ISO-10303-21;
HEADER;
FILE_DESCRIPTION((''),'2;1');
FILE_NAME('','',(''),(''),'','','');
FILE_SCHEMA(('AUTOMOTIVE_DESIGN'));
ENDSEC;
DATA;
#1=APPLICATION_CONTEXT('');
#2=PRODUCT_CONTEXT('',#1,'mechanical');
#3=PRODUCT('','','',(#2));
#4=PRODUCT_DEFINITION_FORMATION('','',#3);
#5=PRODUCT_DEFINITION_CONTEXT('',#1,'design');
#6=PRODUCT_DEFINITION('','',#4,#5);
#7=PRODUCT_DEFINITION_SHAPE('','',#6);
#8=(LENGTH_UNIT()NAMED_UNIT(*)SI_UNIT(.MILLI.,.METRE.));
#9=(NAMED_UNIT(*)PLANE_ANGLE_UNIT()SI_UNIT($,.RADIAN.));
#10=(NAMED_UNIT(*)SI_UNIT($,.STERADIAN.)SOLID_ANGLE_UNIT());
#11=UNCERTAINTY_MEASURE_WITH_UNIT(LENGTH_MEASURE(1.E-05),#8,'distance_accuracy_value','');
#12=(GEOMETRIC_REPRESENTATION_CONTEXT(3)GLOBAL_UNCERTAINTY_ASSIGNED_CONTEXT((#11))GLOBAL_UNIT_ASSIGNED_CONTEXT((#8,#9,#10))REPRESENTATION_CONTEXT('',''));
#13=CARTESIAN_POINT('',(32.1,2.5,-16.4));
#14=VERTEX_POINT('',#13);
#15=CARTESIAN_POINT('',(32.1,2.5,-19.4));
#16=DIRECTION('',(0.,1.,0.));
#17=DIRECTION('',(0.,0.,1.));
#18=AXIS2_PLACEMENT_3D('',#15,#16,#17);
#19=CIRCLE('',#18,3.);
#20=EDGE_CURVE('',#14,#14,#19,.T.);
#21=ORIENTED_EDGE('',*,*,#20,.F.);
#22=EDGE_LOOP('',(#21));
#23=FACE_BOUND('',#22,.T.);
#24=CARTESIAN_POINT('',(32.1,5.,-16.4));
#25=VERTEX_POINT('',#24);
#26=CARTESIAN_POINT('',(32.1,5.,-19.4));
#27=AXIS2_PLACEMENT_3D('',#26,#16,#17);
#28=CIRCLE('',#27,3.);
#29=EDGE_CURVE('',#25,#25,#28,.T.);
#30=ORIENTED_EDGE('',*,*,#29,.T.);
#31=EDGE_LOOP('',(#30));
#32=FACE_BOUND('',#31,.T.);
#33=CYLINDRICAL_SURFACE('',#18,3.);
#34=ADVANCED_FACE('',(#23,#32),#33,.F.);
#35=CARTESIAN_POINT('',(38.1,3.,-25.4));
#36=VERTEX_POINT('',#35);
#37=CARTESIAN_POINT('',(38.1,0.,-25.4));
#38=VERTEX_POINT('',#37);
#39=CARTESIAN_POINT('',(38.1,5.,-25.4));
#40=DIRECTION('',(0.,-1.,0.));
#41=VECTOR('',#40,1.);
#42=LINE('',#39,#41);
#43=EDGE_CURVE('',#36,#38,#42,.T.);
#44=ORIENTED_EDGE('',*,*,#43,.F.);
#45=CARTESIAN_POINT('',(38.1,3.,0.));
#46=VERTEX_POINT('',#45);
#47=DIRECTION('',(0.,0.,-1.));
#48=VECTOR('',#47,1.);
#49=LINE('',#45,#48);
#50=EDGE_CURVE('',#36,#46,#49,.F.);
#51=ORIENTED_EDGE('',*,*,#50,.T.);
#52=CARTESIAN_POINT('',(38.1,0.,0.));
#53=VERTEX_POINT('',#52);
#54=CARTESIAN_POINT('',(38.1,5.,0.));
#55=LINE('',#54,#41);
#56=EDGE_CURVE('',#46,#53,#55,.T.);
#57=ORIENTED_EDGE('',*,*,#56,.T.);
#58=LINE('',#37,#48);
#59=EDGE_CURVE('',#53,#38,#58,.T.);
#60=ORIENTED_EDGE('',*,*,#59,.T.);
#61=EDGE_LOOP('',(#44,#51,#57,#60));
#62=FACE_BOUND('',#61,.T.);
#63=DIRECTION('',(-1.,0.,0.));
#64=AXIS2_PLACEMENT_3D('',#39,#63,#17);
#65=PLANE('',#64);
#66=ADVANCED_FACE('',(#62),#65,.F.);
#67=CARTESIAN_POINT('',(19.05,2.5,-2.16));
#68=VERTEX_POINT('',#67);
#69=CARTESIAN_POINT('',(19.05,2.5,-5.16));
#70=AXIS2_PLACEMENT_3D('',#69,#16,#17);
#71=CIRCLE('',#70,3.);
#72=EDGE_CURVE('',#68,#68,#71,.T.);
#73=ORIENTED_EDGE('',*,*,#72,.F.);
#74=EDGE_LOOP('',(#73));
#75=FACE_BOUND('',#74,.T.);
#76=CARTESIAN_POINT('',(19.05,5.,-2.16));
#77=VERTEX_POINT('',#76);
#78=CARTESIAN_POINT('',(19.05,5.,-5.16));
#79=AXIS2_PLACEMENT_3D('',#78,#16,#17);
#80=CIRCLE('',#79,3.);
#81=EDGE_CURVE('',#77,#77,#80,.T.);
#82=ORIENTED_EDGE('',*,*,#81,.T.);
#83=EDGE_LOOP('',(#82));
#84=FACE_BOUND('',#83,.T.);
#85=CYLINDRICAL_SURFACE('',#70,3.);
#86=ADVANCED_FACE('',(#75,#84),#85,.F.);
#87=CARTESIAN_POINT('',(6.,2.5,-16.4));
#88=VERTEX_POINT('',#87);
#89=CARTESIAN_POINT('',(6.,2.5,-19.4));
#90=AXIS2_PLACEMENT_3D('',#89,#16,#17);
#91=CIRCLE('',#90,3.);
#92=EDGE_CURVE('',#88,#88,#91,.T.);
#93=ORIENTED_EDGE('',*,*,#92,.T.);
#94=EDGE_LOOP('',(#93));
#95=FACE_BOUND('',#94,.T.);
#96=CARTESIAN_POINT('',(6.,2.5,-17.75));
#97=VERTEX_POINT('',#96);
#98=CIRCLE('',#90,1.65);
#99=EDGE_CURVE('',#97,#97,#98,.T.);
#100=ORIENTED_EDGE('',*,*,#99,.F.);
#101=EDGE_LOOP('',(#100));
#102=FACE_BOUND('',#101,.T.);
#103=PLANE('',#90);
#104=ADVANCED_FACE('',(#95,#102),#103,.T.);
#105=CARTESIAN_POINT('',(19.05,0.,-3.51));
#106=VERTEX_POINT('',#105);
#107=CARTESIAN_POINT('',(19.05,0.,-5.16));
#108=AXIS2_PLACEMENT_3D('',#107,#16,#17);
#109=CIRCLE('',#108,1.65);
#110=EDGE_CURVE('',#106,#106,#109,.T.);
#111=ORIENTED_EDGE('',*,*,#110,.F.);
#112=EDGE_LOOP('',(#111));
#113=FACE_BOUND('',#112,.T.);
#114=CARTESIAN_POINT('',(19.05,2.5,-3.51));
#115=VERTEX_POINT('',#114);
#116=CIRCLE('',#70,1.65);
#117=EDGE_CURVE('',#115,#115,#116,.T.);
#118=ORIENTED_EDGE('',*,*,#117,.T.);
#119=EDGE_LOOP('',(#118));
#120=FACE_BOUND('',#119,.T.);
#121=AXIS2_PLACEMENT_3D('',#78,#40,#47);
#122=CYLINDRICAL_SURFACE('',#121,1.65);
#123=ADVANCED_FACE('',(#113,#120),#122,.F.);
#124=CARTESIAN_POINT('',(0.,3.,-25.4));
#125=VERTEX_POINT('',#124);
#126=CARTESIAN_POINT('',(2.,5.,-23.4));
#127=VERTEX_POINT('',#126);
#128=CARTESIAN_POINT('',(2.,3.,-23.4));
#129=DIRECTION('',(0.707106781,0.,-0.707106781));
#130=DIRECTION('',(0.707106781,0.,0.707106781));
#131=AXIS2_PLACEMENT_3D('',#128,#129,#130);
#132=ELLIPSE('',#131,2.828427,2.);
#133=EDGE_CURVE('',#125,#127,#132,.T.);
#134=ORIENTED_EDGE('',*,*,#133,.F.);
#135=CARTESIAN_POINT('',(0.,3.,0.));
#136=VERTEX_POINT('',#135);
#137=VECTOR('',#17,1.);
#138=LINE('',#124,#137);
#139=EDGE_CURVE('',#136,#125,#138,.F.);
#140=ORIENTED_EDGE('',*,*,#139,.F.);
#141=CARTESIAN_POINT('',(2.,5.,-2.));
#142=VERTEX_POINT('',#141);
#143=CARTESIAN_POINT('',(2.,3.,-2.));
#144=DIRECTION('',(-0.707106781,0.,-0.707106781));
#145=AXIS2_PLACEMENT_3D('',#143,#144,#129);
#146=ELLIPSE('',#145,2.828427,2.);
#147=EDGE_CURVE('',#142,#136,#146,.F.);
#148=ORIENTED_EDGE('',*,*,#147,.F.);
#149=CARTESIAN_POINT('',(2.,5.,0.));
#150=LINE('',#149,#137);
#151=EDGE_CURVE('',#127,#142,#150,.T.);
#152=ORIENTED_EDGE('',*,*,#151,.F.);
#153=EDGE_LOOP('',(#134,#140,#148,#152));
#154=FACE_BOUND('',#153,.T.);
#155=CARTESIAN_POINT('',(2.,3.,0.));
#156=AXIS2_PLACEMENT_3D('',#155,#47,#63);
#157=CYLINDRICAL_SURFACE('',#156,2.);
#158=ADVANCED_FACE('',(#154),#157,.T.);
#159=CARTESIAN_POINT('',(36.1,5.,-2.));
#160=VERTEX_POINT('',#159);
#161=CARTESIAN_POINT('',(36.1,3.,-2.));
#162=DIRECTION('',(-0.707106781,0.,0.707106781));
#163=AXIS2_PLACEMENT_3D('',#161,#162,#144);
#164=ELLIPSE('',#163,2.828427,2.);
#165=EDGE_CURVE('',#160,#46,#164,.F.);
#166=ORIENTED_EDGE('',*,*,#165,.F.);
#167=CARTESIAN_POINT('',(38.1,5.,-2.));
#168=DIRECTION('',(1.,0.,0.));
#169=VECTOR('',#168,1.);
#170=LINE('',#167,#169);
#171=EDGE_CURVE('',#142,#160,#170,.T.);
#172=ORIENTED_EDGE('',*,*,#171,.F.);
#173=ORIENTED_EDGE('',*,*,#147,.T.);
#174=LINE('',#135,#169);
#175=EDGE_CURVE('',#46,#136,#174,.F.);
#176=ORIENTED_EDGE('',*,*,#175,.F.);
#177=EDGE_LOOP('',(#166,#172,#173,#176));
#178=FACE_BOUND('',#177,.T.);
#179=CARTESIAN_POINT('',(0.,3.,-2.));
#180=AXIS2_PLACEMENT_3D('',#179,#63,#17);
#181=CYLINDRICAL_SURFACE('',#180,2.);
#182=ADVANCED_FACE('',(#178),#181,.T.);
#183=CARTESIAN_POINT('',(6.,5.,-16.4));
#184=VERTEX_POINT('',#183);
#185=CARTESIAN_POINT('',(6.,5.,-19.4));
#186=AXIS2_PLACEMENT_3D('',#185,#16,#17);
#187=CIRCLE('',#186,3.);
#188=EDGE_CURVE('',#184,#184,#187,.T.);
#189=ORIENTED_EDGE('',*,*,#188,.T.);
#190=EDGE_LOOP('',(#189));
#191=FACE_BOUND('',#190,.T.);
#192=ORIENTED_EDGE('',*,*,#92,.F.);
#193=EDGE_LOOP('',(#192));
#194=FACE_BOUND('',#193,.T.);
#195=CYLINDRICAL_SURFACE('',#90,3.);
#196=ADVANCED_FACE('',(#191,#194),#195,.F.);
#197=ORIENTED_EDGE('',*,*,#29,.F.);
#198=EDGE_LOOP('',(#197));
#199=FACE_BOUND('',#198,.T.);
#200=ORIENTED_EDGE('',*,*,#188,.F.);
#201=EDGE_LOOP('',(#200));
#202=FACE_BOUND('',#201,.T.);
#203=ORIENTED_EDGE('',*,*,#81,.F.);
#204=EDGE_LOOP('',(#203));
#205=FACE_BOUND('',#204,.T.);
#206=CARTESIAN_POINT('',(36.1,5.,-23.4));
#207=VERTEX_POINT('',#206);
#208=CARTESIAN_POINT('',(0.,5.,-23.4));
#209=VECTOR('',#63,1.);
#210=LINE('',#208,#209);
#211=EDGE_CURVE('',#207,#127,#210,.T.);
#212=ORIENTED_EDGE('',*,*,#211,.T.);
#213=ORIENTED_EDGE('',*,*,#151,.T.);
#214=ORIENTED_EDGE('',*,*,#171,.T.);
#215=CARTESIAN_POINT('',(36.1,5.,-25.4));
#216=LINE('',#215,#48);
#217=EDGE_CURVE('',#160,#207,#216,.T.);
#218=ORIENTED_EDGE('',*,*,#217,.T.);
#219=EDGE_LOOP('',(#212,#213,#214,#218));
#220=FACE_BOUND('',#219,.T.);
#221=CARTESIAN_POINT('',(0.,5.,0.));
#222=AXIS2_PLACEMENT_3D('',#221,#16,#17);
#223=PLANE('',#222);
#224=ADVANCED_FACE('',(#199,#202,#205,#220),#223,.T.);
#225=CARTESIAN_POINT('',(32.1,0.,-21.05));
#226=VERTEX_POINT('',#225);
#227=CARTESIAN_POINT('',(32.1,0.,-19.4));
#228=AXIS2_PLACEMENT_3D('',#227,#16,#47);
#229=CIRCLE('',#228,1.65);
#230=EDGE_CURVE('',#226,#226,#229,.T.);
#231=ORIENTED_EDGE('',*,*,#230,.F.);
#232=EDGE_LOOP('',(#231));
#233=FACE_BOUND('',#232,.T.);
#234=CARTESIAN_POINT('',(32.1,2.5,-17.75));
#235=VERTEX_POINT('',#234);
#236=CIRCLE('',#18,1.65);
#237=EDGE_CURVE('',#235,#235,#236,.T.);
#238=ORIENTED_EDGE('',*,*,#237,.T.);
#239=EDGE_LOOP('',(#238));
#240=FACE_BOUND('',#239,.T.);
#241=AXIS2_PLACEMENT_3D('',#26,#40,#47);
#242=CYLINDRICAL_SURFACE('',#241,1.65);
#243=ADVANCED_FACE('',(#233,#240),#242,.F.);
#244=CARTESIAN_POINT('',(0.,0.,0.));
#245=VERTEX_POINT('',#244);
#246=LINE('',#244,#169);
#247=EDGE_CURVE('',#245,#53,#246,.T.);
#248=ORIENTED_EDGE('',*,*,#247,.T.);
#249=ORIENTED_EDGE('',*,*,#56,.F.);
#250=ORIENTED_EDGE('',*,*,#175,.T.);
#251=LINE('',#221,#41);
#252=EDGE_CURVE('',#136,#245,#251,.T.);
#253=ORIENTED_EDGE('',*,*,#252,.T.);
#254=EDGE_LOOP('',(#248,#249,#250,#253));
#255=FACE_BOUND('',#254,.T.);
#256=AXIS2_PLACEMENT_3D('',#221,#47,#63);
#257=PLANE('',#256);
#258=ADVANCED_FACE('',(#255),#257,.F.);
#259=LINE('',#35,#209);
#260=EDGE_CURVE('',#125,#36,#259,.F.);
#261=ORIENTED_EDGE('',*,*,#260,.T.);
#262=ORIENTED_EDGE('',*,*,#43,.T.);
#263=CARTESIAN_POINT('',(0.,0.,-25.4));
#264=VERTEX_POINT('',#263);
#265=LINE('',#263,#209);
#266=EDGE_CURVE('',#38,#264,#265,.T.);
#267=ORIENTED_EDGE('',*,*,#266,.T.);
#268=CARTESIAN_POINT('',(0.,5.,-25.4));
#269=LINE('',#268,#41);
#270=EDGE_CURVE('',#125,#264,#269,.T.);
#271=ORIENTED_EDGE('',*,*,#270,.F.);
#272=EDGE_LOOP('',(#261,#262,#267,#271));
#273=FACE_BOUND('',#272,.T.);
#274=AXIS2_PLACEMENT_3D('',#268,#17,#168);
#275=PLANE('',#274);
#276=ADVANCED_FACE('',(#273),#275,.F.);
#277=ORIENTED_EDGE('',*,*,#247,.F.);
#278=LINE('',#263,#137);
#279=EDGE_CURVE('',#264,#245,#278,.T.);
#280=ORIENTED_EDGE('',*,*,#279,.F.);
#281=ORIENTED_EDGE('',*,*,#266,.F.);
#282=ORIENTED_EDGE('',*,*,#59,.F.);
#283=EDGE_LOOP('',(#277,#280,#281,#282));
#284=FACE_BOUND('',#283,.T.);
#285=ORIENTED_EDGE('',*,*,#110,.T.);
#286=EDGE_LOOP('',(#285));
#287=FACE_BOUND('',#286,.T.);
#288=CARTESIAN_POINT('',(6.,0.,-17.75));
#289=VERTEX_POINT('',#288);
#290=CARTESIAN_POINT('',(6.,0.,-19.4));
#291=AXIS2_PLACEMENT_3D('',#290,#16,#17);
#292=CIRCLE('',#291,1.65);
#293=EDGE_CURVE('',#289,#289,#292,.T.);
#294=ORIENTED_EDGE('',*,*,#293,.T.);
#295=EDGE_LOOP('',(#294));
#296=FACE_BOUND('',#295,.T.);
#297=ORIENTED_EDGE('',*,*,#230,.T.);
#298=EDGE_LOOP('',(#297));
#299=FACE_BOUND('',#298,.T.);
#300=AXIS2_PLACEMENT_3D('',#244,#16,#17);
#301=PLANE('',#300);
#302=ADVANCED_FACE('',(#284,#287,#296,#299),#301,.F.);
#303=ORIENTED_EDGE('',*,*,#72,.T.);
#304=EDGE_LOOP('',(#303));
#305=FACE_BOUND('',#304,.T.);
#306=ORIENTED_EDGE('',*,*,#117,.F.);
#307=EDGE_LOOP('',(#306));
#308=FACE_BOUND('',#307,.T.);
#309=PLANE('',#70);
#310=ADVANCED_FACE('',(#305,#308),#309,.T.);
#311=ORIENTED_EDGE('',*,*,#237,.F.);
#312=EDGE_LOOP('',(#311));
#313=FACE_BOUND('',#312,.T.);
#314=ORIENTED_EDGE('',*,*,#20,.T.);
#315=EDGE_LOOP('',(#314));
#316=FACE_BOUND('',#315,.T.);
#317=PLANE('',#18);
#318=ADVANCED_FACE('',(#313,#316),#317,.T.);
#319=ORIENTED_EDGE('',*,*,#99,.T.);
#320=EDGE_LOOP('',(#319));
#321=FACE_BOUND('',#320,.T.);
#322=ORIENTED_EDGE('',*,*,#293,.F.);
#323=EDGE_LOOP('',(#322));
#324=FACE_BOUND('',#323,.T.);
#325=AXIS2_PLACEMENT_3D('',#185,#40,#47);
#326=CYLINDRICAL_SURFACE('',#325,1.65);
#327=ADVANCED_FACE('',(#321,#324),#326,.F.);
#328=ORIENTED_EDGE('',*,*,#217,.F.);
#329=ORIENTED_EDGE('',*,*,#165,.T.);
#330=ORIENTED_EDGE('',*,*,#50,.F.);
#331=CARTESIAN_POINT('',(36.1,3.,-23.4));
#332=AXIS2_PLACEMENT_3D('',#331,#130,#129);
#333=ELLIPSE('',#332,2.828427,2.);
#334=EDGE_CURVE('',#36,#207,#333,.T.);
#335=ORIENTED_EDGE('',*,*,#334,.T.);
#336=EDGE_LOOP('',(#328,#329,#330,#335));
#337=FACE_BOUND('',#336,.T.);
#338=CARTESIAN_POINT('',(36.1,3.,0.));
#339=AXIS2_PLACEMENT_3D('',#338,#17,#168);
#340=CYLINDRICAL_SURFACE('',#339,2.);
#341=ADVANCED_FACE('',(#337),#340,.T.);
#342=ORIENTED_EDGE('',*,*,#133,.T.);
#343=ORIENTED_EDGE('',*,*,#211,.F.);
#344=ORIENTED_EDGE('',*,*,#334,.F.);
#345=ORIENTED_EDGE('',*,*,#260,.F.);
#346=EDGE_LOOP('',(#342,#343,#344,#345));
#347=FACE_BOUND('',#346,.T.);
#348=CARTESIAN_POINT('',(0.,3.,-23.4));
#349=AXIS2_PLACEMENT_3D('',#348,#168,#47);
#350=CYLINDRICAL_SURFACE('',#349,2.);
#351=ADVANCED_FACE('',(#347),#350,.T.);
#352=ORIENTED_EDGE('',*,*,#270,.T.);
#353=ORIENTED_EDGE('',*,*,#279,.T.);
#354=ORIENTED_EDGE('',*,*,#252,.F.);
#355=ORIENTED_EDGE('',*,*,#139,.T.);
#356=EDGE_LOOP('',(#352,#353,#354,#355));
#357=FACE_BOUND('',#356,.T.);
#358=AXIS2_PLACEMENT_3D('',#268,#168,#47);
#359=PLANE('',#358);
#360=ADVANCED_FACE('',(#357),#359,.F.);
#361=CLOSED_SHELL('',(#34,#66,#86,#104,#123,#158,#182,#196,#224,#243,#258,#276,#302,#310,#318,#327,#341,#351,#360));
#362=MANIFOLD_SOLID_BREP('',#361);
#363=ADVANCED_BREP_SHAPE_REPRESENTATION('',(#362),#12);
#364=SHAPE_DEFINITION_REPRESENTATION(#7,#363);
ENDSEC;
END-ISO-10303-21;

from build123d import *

# Parameters (mm, degrees)
SKETCH1_W           = 38.1
SKETCH1_H           = 25.4
SKETCH1_R           = 1.65
BOSS_EXTRUDE1_DEPTH = 5
SKETCH2_R           = 3
CUT_EXTRUDE1_DEPTH  = 2.5
FILLET1_R           = 2


with BuildPart() as part:
    # Sketch1 → Boss-Extrude1 (new body)
    with BuildSketch(Plane(origin=(0, 0, 0), x_dir=(1, 0, 0), z_dir=(0, 1, 0))):
        with Locations((19.05, 12.7)):
            Rectangle(SKETCH1_W, SKETCH1_H)
        with Locations(Location((19.05, 5.16, 0), (0, 0, 270))):
            Circle(SKETCH1_R, mode=Mode.SUBTRACT)
        with Locations(Location((6, 19.4, 0), (0, 0, 270))):
            Circle(SKETCH1_R, mode=Mode.SUBTRACT)
        with Locations(Location((32.1, 19.4, 0), (0, 0, 90))):
            Circle(SKETCH1_R, mode=Mode.SUBTRACT)
    extrude(amount=BOSS_EXTRUDE1_DEPTH)

    # Sketch2 → Cut-Extrude1 (cut)
    with BuildSketch(Plane(origin=(0, 5, 0), x_dir=(1, 0, 0), z_dir=(0, 1, 0))):
        with Locations(Location((6, 19.4, 0), (0, 0, 270))):
            Circle(SKETCH2_R)
        with Locations(Location((19.05, 5.16, 0), (0, 0, 270))):
            Circle(SKETCH2_R)
        with Locations(Location((32.1, 19.4, 0), (0, 0, 270))):
            Circle(SKETCH2_R)
    extrude(amount=-CUT_EXTRUDE1_DEPTH, mode=Mode.SUBTRACT)

    # Fillet1
    fillet1_edges = [part.edges().sort_by_distance(p)[0] for p in [
        (38.1, 5, -12.7),
        (19.05, 5, -25.4),
        (0, 5, -12.7),
        (19.05, 5, 0),
    ]]
    fillet(fillet1_edges, radius=FILLET1_R)


solid = part.part
